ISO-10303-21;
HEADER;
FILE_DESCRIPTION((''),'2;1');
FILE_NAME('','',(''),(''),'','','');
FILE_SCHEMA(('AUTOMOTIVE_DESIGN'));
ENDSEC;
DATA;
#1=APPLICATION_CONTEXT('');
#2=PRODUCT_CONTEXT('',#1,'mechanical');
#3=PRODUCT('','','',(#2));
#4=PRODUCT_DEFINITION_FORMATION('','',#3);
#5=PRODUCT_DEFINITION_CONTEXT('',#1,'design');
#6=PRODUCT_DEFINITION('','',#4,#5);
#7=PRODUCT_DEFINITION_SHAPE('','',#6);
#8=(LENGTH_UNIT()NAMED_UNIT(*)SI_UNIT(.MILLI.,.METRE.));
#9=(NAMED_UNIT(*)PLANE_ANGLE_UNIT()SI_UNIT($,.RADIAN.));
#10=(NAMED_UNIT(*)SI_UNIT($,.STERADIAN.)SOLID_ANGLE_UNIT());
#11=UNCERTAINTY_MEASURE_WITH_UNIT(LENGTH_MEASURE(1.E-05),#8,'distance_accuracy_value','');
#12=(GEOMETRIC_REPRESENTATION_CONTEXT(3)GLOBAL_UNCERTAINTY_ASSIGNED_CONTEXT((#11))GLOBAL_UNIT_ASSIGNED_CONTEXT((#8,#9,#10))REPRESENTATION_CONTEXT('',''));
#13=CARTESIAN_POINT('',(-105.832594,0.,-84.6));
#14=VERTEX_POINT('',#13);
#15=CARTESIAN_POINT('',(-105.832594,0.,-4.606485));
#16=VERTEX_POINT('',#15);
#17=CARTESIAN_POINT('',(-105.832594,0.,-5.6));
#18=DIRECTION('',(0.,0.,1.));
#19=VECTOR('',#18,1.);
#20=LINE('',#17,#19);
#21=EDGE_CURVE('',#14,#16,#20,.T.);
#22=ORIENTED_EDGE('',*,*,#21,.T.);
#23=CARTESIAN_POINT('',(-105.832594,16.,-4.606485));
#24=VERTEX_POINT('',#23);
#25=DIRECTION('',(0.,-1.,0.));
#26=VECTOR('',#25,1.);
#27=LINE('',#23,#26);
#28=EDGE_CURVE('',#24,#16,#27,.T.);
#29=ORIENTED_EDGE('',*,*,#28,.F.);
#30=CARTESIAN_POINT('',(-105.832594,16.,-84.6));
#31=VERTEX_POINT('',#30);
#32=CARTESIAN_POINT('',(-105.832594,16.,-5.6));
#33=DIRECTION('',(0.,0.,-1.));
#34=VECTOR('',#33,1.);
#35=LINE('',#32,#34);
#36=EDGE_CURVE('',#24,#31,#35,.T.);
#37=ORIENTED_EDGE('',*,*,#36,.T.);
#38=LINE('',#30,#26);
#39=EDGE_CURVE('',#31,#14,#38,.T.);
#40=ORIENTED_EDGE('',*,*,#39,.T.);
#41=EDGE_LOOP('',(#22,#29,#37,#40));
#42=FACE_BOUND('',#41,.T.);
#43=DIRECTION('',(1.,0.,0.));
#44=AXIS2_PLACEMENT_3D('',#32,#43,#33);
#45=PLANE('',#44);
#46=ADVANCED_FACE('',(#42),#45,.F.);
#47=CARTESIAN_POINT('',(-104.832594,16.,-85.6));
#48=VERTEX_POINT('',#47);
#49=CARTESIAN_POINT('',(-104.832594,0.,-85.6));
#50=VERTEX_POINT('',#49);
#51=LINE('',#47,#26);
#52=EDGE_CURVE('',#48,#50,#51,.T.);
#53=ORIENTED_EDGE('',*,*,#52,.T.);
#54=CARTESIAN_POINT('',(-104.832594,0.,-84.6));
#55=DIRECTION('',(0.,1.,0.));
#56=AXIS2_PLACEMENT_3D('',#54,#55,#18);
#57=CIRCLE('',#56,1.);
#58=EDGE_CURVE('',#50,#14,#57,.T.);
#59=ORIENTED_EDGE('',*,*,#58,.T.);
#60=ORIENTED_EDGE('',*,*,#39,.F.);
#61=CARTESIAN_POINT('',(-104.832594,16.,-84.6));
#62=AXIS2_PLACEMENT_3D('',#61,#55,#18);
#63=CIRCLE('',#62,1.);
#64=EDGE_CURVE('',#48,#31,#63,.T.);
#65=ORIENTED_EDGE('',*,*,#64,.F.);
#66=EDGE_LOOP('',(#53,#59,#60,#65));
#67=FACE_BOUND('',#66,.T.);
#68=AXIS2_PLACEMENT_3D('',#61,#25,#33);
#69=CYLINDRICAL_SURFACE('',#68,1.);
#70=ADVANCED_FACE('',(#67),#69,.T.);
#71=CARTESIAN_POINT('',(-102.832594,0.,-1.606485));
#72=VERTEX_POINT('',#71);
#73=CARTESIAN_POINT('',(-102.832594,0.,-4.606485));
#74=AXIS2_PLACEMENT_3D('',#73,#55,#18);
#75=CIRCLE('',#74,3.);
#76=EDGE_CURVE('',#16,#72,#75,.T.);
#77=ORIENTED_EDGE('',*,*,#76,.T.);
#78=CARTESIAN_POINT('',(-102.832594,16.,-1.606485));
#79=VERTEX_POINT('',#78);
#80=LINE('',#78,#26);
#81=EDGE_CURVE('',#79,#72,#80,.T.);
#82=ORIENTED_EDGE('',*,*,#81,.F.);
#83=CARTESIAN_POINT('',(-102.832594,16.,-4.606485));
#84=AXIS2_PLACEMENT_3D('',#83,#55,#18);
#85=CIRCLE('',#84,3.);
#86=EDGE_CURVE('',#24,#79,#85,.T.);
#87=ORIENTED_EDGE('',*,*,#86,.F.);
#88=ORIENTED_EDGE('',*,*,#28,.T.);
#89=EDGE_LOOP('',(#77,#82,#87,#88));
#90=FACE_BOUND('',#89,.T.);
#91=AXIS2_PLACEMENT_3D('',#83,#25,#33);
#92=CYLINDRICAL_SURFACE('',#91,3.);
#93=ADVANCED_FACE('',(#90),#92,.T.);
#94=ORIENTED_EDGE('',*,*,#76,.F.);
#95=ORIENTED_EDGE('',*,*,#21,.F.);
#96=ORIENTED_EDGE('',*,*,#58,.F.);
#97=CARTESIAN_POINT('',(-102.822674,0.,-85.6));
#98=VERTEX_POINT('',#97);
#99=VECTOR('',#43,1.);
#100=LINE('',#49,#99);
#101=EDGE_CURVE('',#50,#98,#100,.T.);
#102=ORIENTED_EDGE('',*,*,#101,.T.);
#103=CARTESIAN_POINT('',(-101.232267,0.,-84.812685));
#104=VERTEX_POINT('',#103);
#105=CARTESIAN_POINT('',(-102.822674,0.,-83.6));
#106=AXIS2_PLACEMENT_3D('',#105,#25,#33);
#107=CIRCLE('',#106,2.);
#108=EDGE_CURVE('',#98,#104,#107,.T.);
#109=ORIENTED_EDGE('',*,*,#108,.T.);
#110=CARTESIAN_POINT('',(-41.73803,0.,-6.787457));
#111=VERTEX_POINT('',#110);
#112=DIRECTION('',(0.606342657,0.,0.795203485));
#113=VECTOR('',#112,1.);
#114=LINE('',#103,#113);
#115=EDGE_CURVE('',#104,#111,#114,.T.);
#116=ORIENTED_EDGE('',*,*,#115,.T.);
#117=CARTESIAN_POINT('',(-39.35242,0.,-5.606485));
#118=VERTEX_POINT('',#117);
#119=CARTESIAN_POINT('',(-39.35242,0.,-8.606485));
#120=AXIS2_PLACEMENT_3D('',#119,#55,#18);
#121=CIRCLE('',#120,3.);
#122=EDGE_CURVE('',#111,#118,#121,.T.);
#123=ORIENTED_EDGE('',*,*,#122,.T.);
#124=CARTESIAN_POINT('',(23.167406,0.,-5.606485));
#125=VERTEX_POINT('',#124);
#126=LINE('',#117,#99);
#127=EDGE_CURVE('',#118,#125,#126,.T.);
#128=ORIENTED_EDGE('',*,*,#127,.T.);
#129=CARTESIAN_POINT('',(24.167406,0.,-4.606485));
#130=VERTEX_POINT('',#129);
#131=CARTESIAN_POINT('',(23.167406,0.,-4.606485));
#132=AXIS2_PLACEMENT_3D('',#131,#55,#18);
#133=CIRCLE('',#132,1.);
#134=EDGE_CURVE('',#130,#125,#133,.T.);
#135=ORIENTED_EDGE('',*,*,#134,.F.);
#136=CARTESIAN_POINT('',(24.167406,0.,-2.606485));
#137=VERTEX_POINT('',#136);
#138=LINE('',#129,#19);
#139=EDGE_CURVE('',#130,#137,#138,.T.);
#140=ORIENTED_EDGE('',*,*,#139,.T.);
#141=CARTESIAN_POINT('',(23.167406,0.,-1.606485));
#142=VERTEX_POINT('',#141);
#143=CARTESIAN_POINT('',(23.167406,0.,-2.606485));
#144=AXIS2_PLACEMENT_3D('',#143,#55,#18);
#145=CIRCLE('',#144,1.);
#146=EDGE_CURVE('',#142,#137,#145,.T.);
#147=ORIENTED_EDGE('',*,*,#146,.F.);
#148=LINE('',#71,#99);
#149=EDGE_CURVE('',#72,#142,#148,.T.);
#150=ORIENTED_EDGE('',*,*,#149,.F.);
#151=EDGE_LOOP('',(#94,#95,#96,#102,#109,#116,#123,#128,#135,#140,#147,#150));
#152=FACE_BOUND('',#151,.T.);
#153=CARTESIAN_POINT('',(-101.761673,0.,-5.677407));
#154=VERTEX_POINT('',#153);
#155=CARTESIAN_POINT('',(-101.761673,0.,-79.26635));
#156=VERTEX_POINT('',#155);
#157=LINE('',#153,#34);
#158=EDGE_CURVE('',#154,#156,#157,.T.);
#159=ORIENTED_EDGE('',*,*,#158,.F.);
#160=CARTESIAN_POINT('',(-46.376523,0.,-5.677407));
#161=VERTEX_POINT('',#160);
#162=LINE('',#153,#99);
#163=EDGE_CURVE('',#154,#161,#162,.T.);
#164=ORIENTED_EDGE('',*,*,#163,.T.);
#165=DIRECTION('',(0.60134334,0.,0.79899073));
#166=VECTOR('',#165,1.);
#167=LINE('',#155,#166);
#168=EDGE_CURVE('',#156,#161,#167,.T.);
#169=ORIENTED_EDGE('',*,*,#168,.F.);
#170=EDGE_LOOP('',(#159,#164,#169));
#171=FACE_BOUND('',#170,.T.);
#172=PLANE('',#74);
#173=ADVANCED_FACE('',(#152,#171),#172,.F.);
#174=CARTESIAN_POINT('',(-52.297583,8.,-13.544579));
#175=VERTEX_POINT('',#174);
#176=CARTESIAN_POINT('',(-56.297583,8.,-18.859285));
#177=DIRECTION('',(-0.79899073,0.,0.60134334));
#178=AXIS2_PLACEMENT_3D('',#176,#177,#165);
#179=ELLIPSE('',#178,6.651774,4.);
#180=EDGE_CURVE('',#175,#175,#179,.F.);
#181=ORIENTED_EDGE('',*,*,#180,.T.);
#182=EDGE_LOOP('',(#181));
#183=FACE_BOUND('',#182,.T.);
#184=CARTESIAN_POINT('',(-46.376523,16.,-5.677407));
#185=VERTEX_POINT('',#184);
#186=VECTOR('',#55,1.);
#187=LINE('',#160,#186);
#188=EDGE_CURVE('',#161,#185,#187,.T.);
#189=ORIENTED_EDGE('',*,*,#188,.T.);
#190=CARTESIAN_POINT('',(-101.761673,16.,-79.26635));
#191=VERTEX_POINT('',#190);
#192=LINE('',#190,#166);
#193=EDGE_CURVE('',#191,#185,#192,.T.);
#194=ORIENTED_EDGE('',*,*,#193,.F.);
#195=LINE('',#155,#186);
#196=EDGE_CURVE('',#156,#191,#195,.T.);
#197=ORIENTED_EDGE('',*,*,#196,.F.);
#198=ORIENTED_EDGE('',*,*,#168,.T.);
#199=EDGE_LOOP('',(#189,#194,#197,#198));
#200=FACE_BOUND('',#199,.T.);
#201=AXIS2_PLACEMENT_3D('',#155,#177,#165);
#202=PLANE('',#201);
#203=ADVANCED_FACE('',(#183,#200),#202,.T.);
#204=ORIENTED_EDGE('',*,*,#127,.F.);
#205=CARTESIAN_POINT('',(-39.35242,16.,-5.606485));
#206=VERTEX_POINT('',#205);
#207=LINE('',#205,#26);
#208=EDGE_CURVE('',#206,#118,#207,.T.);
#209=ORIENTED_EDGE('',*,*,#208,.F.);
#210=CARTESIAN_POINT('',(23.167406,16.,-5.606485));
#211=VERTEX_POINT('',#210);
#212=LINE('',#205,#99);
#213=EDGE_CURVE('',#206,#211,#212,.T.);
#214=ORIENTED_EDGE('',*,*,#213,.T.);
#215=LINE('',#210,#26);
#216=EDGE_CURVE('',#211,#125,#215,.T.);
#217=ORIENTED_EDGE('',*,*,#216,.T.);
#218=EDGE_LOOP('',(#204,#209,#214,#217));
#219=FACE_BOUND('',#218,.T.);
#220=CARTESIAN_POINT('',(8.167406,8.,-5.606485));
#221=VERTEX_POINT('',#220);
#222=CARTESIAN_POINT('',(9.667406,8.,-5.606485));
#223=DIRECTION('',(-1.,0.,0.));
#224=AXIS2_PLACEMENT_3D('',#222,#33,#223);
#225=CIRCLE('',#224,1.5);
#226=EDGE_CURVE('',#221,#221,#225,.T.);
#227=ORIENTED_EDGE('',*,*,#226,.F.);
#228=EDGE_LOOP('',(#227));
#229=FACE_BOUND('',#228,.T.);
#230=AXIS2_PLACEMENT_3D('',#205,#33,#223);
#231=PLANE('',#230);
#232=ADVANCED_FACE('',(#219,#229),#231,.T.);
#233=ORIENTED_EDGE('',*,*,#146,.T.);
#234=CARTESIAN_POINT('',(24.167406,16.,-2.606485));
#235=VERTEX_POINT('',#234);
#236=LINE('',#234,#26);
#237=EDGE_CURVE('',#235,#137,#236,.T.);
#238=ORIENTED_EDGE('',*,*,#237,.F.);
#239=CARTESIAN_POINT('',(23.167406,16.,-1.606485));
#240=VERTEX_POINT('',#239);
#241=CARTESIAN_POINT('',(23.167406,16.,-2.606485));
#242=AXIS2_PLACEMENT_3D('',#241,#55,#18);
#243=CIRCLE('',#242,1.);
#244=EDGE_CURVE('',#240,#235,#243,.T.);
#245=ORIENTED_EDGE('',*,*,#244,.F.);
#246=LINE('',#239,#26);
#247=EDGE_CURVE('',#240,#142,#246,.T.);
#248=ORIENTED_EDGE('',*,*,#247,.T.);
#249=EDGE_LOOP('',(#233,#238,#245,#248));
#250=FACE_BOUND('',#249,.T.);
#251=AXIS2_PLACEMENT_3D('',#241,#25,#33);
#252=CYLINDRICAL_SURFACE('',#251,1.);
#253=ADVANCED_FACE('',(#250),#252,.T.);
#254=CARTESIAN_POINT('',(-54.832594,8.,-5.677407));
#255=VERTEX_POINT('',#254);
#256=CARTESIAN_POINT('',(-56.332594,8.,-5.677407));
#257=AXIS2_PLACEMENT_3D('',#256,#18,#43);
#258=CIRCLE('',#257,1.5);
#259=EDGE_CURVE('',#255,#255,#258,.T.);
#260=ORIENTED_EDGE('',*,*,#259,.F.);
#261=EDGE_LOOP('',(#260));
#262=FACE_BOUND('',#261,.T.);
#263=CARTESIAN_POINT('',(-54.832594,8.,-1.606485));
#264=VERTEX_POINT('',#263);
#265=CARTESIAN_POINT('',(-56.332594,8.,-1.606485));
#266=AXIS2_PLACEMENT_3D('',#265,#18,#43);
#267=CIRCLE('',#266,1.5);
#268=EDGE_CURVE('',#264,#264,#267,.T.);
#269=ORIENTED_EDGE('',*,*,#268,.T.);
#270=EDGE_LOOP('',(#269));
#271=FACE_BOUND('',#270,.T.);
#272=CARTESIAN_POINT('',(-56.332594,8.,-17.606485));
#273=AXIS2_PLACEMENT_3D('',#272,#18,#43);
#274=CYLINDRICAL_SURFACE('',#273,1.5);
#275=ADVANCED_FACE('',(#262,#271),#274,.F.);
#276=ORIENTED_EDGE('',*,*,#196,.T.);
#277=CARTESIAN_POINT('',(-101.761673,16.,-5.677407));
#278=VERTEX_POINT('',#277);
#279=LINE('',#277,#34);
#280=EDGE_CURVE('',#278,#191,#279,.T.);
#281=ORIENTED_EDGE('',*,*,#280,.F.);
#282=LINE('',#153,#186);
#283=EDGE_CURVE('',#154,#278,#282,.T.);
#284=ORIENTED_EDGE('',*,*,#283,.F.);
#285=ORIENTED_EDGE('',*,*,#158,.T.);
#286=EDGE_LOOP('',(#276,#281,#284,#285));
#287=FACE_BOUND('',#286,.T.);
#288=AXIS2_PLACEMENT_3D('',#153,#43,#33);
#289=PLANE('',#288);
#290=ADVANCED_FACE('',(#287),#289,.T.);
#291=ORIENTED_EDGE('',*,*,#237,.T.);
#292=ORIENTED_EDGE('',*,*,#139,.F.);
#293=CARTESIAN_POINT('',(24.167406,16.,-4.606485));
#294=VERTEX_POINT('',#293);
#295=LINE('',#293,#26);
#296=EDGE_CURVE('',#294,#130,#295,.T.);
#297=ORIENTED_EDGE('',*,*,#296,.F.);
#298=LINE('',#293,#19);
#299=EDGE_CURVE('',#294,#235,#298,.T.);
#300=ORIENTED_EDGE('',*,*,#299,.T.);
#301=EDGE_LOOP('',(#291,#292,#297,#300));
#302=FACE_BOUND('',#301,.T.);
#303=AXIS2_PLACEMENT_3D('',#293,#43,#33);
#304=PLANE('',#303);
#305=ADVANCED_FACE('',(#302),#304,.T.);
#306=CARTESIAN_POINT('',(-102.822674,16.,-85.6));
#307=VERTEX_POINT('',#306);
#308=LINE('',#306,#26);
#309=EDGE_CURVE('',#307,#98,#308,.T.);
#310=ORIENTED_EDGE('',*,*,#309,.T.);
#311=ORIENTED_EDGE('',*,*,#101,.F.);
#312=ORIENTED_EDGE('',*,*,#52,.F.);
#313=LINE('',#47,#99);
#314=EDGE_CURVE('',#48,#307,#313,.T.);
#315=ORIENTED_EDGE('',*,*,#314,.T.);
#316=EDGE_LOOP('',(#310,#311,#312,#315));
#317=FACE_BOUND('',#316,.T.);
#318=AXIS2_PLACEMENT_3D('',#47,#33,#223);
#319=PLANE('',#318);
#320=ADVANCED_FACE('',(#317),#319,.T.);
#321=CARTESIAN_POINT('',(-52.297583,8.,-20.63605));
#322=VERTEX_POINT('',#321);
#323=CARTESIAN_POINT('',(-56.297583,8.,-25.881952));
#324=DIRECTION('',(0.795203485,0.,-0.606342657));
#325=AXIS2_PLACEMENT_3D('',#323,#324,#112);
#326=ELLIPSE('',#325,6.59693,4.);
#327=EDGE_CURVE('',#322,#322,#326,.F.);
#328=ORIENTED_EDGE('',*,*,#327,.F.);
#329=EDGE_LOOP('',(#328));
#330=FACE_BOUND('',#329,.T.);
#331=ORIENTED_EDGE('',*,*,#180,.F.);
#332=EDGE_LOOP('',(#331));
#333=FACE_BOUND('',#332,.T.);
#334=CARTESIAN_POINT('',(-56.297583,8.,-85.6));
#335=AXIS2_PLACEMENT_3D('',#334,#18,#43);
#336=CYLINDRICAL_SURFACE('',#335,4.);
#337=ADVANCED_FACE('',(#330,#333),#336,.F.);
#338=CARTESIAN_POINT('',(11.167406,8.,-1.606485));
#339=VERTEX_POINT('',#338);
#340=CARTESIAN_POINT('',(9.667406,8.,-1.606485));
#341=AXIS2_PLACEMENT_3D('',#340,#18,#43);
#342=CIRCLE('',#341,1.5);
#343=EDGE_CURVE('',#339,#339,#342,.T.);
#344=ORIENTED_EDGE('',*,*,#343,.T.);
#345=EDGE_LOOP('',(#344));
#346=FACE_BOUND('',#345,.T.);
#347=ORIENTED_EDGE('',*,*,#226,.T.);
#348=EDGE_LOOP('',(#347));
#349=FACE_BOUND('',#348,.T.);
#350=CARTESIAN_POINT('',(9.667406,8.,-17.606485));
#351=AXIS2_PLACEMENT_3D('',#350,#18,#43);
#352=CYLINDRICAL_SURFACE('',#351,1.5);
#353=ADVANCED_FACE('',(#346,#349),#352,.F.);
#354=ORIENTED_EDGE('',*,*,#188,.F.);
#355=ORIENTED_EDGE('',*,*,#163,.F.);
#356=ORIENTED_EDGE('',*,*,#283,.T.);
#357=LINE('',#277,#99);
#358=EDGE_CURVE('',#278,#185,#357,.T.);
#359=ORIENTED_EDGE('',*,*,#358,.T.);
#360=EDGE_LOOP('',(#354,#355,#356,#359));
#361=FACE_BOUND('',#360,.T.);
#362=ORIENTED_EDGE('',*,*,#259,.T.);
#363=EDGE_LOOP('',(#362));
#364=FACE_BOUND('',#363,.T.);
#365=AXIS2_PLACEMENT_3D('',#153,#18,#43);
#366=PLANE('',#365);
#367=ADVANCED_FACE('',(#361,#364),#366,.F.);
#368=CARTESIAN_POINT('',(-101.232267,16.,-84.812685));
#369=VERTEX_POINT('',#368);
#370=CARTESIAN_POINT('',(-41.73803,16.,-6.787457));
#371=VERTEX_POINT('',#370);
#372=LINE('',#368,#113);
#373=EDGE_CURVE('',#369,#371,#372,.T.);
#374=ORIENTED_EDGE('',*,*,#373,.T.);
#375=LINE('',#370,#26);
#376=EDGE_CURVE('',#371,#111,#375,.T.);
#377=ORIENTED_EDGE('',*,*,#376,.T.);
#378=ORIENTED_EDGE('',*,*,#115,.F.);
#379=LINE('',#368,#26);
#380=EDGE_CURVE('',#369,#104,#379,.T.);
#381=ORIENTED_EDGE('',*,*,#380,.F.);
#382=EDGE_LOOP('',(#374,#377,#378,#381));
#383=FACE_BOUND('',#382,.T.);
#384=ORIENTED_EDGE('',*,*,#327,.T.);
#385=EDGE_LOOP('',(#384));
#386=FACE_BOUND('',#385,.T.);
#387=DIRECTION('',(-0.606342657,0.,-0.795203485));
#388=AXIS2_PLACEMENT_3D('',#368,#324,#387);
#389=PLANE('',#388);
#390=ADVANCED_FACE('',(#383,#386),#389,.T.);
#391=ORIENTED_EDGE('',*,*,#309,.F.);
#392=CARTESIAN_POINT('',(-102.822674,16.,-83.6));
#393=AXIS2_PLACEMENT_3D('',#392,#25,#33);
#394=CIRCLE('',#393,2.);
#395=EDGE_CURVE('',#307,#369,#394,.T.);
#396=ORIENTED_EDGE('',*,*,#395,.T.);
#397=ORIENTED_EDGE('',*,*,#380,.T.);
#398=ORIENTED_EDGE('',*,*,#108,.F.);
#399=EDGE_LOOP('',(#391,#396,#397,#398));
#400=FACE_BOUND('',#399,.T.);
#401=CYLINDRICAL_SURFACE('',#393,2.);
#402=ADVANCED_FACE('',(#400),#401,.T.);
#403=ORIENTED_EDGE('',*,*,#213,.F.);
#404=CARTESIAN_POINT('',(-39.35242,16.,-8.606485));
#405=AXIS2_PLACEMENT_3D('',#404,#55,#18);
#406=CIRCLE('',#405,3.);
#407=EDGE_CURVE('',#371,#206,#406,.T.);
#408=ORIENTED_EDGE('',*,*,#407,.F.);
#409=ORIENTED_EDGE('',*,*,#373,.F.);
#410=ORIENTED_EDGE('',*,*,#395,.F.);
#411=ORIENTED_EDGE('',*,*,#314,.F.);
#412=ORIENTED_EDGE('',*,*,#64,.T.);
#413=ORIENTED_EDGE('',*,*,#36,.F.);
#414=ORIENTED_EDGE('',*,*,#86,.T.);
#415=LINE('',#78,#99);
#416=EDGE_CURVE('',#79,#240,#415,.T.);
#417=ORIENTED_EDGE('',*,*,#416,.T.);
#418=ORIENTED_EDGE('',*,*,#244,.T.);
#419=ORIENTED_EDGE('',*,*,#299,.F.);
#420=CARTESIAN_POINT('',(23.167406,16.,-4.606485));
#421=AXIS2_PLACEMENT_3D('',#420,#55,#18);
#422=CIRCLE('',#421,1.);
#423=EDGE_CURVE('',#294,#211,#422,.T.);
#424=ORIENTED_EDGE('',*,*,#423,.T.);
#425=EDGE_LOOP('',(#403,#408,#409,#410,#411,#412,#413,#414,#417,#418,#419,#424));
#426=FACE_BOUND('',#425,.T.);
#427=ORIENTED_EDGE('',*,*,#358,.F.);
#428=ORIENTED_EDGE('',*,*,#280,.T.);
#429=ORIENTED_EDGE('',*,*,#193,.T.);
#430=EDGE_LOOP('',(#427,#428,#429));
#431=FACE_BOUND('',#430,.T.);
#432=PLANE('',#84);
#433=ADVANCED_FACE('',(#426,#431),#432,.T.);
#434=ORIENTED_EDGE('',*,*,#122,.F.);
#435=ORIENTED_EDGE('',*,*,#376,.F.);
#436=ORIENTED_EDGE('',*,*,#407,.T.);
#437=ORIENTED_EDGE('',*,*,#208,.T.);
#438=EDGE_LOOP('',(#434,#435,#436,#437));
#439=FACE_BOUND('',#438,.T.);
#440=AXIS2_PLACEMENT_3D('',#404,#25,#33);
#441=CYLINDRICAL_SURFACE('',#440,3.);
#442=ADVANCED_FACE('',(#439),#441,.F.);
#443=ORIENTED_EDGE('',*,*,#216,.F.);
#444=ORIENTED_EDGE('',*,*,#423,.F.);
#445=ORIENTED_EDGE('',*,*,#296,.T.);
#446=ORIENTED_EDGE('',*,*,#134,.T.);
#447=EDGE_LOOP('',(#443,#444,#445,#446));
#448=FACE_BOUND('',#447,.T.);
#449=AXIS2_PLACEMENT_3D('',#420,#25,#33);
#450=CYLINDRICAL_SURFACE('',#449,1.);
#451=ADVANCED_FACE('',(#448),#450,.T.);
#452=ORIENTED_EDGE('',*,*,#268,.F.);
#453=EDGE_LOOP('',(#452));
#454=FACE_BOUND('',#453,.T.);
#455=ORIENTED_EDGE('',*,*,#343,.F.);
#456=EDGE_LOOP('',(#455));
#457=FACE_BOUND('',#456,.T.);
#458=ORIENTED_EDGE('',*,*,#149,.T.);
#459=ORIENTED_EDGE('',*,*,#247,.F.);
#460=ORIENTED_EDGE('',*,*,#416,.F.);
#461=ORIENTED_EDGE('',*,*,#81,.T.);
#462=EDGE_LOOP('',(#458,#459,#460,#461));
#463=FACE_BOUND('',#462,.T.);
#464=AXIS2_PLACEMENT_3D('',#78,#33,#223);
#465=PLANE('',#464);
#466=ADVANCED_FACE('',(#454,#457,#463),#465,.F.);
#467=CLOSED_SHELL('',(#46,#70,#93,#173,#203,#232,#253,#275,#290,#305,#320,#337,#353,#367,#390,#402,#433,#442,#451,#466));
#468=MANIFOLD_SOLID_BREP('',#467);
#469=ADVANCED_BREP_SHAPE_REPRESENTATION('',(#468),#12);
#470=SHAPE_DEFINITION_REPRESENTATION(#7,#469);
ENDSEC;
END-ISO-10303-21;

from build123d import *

# Parameters (mm, degrees)
BOSS_EXTRUDE4_DEPTH = 16
CUT_EXTRUDE1_DEPTH  = 16
SKETCH4_R           = 1.5
CUT_EXTRUDE3_DEPTH  = 16
SKETCH6_R           = 4
CUT_EXTRUDE4_DEPTH  = 134.582030626


with BuildPart() as part:
    # Sketch1 → Boss-Extrude4 (new body)
    with BuildSketch(Plane(origin=(0, 0, 0), x_dir=(1, 0, 0), z_dir=(0, 1, 0))):
        with BuildLine():
            Line((-101.232266869, 84.812685314), (-41.738030485, 6.78745727))
            ThreePointArc((-41.738030485, 6.78745727), (-40.683381354, 5.917890449), (-39.352420031, 5.606485241))
            Line((-39.352420031, 5.606485241), (23.167405683, 5.606485241))
            ThreePointArc((23.167405683, 5.606485241), (23.874512464, 5.313592022), (24.167405683, 4.606485241))
            Line((24.167405683, 4.606485241), (24.167405683, 2.606485241))
            ThreePointArc((24.167405683, 2.606485241), (23.874512464, 1.89937846), (23.167405683, 1.606485241))
            Line((23.167405683, 1.606485241), (-102.832594317, 1.606485241))
            ThreePointArc((-102.832594317, 1.606485241), (-104.95391466, 2.485164898), (-105.832594317, 4.606485241))
            Line((-105.832594317, 4.606485241), (-105.832594317, 5.6))
            Line((-105.832594317, 5.6), (-105.832594317, 84.6))
            ThreePointArc((-105.832594317, 84.6), (-105.539701098, 85.307106781), (-104.832594317, 85.6))
            Line((-104.832594317, 85.6), (-102.822673838, 85.6))
            ThreePointArc((-102.822673838, 85.6), (-101.93536629, 85.392396528), (-101.232266869, 84.812685314))
        make_face()
    extrude(amount=BOSS_EXTRUDE4_DEPTH)

    # Sketch2 → Cut-Extrude1 (cut)
    with BuildSketch(Plane(origin=(0, 16, 0), x_dir=(1, 0, 0), z_dir=(0, 1, 0))):
        Polygon((-101.761672648, 5.67740691), (-46.376523222, 5.67740691), (-101.761672648, 79.266350208), align=None)
    extrude(amount=-CUT_EXTRUDE1_DEPTH, mode=Mode.SUBTRACT)

    # Sketch4 → Cut-Extrude3 (cut)
    with BuildSketch(Plane.XY.offset(-1.606485241)):
        with Locations((9.667405683, 8)):
            Circle(SKETCH4_R)
        with Locations((-56.332594317, 8)):
            Circle(SKETCH4_R)
    extrude(amount=-CUT_EXTRUDE3_DEPTH, mode=Mode.SUBTRACT)

    # Sketch6 → Cut-Extrude4 (cut, through all)
    with BuildSketch(Plane(origin=(0, 0, -5.67740691), x_dir=(-1, 0, 0), z_dir=(0, 0, -1))):
        with Locations(Location((56.297582792, 8, 0), (0, 0, 180))):
            Circle(SKETCH6_R)
    extrude(amount=CUT_EXTRUDE4_DEPTH, mode=Mode.SUBTRACT)


solid = part.part
